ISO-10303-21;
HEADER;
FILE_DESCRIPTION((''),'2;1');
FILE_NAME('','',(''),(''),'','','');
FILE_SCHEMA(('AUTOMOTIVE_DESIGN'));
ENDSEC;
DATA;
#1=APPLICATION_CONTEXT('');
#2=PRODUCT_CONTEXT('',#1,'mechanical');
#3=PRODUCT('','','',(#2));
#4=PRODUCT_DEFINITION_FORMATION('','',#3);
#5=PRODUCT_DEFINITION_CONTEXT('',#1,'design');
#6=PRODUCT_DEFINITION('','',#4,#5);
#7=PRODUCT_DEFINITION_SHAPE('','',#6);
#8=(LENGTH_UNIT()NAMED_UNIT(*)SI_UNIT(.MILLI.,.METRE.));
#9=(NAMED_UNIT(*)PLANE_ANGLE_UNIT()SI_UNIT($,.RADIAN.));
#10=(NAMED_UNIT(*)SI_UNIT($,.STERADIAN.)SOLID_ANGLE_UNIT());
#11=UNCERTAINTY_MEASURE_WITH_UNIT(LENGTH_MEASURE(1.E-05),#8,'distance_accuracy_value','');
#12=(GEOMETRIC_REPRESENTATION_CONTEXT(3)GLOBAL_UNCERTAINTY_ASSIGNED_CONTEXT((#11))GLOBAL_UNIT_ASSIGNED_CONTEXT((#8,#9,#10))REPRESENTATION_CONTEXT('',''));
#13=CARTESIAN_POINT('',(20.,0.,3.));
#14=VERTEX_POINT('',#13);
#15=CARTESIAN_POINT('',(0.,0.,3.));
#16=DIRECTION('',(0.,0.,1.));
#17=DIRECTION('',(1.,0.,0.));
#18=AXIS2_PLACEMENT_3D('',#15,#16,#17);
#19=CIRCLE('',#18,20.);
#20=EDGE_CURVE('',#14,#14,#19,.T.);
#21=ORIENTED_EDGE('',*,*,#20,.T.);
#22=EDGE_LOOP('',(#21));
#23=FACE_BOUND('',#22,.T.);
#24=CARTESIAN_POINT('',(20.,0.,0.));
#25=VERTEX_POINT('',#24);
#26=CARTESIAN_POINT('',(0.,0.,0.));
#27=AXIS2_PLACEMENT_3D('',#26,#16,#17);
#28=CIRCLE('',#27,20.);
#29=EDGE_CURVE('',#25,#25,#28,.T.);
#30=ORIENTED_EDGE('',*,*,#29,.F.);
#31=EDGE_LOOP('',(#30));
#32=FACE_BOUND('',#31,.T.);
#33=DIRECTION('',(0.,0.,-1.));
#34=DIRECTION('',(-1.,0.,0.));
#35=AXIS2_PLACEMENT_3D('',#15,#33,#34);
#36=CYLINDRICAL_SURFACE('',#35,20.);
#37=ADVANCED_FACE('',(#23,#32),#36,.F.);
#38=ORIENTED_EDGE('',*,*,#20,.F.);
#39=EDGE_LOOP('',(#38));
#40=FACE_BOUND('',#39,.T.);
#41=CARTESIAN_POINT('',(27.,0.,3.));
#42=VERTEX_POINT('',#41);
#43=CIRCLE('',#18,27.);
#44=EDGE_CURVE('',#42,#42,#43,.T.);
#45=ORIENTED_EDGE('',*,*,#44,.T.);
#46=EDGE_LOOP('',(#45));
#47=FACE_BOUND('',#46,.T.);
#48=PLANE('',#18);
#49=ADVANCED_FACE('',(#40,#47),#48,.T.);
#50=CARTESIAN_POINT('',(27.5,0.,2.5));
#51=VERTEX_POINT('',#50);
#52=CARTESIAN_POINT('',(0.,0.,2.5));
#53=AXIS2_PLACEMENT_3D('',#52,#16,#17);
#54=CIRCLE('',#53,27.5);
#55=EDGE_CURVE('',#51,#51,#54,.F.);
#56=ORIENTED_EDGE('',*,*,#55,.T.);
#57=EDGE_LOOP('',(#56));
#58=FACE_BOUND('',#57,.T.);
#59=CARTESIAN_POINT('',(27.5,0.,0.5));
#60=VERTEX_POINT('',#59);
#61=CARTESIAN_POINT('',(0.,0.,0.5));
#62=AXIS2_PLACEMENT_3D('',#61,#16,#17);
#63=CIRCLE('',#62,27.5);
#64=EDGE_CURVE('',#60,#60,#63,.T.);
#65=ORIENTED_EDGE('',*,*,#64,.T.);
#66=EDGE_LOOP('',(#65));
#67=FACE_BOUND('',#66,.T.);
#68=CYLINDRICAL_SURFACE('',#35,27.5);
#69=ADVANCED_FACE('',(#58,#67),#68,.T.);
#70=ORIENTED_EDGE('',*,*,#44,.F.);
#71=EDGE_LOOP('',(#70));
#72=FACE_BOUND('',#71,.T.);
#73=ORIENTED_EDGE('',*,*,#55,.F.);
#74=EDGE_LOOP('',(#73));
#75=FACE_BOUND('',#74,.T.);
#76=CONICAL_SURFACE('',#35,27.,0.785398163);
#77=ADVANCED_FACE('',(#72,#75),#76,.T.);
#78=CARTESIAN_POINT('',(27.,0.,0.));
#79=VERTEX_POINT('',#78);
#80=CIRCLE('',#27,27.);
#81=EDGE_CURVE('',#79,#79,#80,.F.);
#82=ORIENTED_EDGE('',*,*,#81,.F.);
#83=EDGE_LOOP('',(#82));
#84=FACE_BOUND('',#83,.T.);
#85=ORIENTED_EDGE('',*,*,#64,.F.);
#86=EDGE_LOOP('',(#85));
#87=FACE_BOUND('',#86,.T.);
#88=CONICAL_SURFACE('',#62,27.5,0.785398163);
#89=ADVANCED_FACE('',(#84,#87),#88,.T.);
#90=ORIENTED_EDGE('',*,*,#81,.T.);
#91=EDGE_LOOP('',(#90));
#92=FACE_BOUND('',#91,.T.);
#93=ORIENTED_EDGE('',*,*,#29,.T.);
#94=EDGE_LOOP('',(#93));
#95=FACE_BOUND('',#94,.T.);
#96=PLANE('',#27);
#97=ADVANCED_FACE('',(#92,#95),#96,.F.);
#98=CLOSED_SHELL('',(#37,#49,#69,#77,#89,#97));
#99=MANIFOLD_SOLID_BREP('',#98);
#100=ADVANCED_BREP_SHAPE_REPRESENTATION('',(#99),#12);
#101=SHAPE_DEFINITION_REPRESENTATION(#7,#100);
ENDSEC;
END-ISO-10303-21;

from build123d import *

# Parameters (mm, degrees)
SKETCH_1_R      = 27.5
SKETCH_1_R_2    = 20
EXTRUDE_1_DEPTH = 3
CHAMFER_1_SIZE  = 0.5


with BuildPart() as part:
    # Эскиз1 → Бобышка-Вытянуть1 (new body)
    with BuildSketch(Plane.XY):
        Circle(SKETCH_1_R)
        Circle(SKETCH_1_R_2, mode=Mode.SUBTRACT)
    extrude(amount=EXTRUDE_1_DEPTH)

    # Фаска1
    chamfer_1_edges = [part.edges().sort_by_distance(p)[0] for p in [
        (-27.5, 0, 0),
        (-27.5, 0, 3),
    ]]
    chamfer(chamfer_1_edges, length=CHAMFER_1_SIZE)


solid = part.part
